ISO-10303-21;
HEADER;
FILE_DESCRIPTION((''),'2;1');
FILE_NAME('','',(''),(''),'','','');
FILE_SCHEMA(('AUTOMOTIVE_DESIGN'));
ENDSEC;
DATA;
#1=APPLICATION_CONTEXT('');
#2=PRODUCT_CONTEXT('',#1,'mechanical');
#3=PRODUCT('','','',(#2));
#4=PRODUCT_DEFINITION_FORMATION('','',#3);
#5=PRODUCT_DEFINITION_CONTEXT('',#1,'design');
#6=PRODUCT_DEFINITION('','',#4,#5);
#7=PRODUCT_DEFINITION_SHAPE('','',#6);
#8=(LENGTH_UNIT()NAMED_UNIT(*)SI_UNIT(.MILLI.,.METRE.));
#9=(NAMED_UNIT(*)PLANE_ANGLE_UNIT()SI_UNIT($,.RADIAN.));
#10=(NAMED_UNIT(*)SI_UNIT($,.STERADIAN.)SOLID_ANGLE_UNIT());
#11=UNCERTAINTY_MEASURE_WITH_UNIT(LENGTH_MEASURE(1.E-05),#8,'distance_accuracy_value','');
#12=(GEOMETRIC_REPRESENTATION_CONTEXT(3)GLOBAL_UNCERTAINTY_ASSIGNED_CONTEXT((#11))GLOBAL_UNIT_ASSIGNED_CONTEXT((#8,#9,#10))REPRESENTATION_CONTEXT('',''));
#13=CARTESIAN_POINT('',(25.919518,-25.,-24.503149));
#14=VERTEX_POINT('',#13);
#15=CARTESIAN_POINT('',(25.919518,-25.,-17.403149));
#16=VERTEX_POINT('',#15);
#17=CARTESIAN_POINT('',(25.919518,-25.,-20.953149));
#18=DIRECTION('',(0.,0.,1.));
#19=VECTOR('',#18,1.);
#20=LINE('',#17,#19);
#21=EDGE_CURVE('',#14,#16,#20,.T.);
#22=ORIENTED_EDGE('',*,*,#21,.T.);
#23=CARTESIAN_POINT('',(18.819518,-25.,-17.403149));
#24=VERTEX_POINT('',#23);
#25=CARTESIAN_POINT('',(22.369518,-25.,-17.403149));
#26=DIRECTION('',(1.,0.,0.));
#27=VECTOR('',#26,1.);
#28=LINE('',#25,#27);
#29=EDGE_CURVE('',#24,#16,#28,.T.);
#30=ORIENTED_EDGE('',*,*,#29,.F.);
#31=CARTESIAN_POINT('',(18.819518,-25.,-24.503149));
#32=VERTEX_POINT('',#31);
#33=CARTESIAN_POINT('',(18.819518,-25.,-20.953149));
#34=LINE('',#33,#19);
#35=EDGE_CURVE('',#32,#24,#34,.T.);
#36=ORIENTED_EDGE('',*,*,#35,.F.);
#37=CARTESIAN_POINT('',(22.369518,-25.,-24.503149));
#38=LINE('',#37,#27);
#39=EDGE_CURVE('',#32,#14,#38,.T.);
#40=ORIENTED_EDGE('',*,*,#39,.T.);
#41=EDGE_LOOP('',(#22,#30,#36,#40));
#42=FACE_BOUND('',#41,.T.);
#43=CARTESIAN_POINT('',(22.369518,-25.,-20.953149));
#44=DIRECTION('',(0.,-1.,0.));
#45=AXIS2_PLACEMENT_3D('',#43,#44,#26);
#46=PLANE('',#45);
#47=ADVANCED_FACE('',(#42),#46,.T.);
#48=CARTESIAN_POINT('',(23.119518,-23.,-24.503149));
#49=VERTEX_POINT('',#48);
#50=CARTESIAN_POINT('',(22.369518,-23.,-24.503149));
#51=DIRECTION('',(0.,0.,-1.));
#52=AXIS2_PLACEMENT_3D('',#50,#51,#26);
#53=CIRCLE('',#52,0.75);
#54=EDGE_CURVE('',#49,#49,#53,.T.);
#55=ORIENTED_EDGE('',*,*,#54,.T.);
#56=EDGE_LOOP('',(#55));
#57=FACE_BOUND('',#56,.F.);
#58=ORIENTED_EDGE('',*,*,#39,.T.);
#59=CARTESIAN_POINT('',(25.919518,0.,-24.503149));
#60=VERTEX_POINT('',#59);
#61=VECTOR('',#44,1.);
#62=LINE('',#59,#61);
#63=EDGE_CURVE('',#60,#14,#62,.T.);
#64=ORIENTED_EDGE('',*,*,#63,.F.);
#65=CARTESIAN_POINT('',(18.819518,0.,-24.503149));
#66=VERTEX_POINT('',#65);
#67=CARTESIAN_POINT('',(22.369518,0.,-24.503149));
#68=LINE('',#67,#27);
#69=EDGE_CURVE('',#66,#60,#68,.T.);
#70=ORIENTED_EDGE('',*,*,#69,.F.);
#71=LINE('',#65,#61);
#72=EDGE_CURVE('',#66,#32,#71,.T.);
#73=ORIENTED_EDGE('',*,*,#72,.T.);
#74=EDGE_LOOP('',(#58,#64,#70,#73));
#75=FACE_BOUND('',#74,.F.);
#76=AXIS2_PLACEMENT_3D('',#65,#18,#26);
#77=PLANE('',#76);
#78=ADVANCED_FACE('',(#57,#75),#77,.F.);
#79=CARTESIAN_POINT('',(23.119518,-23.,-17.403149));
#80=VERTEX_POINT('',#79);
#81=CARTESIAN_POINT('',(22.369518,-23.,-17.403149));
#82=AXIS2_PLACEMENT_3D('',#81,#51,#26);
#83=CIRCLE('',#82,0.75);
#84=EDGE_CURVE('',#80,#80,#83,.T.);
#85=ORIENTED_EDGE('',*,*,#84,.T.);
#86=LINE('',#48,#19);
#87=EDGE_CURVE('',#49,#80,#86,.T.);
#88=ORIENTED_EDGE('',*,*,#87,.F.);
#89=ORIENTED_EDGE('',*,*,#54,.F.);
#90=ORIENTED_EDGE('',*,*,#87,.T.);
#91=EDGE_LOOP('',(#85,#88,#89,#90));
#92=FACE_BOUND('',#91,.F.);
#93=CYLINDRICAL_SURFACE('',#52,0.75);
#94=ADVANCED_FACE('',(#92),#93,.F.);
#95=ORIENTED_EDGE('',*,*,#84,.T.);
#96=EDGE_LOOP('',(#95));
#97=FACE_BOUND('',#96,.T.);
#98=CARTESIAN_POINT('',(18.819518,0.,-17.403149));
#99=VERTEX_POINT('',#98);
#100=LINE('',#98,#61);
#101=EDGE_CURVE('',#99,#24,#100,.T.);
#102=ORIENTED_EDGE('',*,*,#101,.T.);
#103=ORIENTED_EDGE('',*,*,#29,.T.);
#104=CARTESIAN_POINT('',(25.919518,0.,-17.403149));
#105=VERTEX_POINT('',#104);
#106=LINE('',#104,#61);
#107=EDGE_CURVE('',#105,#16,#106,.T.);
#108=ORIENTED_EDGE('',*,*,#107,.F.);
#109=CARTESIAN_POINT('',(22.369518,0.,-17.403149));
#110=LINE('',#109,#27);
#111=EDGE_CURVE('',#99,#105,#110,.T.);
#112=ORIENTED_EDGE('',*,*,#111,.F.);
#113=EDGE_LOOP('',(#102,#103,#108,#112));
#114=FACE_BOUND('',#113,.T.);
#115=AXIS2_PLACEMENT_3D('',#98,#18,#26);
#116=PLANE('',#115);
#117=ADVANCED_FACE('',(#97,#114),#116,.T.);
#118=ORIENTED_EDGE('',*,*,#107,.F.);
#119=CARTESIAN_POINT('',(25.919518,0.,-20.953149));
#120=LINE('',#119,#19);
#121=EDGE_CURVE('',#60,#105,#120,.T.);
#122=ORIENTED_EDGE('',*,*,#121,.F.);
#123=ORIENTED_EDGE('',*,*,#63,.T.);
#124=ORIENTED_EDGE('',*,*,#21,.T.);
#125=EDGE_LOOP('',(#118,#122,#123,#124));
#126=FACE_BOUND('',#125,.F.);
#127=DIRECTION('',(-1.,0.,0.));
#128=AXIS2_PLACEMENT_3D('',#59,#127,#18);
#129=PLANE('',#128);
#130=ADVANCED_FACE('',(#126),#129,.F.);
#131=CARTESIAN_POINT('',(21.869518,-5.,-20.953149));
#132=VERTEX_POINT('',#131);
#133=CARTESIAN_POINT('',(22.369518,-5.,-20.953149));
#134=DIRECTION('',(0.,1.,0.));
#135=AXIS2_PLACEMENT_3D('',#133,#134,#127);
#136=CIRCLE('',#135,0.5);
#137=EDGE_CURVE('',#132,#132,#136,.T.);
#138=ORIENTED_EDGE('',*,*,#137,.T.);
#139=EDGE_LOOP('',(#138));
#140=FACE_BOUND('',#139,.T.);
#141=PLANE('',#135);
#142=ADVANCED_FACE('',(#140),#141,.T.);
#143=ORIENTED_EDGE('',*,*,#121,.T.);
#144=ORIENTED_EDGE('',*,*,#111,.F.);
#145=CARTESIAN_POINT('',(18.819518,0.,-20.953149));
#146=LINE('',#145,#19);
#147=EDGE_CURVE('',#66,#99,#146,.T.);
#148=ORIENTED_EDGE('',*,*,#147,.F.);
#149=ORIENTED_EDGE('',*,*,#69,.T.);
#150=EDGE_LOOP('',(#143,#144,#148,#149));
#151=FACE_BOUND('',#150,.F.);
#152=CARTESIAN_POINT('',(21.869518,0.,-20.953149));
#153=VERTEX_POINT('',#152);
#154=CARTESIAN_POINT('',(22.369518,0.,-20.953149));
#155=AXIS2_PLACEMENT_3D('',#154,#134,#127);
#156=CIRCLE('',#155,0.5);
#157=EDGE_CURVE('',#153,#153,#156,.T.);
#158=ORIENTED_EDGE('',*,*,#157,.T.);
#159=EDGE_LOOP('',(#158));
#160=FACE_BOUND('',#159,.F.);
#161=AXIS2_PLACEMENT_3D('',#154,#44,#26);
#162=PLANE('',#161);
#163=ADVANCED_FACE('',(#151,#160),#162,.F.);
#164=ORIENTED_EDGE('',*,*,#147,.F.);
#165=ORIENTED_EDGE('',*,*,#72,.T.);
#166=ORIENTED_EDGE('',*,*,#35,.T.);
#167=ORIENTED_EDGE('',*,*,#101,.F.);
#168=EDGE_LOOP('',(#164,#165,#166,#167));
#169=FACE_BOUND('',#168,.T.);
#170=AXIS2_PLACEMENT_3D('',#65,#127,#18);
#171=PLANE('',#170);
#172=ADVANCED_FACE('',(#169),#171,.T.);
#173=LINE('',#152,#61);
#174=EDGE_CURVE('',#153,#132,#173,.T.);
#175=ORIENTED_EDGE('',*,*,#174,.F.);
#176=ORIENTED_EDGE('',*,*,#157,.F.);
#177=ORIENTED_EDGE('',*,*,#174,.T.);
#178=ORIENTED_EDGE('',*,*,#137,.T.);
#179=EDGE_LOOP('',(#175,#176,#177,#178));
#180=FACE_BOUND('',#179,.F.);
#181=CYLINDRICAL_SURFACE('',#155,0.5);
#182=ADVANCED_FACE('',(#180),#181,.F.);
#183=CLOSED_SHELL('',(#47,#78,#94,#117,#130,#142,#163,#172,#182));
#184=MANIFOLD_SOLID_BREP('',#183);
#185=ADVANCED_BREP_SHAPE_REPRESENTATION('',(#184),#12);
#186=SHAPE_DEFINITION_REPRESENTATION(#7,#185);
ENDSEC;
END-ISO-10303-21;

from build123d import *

# Parameters (mm, degrees)
F0_W     = 7.1
F0_H     = 7.1
F1_DEPTH = 25
F2_R     = 0.75
F3_DEPTH = 25
F4_R     = 0.5
F5_DEPTH = 5


with BuildPart() as f1:
    # F0 (on Front) → F1 (new body)
    with BuildSketch(Plane.XZ):
        with Locations((22.369518, -20.953149)):
            Rectangle(F0_W, F0_H)
    extrude(amount=F1_DEPTH)

    # F2 (on face) → F3 (cut)
    with BuildSketch(Plane(origin=(0, 0, -24.503149), x_dir=(1, 0, 0), z_dir=(0, 0, -1))):
        with Locations((22.369518, 23)):
            Circle(F2_R)
    extrude(amount=-F3_DEPTH, mode=Mode.SUBTRACT)

    # F4 (on face) → F5 (cut)
    with BuildSketch(Plane(origin=(0, 0, 0), x_dir=(-1, 0, 0), z_dir=(0, 1, 0))):
        with Locations((-22.369518, -20.953149)):
            Circle(F4_R)
    extrude(amount=-F5_DEPTH, mode=Mode.SUBTRACT)


solid = f1.part
